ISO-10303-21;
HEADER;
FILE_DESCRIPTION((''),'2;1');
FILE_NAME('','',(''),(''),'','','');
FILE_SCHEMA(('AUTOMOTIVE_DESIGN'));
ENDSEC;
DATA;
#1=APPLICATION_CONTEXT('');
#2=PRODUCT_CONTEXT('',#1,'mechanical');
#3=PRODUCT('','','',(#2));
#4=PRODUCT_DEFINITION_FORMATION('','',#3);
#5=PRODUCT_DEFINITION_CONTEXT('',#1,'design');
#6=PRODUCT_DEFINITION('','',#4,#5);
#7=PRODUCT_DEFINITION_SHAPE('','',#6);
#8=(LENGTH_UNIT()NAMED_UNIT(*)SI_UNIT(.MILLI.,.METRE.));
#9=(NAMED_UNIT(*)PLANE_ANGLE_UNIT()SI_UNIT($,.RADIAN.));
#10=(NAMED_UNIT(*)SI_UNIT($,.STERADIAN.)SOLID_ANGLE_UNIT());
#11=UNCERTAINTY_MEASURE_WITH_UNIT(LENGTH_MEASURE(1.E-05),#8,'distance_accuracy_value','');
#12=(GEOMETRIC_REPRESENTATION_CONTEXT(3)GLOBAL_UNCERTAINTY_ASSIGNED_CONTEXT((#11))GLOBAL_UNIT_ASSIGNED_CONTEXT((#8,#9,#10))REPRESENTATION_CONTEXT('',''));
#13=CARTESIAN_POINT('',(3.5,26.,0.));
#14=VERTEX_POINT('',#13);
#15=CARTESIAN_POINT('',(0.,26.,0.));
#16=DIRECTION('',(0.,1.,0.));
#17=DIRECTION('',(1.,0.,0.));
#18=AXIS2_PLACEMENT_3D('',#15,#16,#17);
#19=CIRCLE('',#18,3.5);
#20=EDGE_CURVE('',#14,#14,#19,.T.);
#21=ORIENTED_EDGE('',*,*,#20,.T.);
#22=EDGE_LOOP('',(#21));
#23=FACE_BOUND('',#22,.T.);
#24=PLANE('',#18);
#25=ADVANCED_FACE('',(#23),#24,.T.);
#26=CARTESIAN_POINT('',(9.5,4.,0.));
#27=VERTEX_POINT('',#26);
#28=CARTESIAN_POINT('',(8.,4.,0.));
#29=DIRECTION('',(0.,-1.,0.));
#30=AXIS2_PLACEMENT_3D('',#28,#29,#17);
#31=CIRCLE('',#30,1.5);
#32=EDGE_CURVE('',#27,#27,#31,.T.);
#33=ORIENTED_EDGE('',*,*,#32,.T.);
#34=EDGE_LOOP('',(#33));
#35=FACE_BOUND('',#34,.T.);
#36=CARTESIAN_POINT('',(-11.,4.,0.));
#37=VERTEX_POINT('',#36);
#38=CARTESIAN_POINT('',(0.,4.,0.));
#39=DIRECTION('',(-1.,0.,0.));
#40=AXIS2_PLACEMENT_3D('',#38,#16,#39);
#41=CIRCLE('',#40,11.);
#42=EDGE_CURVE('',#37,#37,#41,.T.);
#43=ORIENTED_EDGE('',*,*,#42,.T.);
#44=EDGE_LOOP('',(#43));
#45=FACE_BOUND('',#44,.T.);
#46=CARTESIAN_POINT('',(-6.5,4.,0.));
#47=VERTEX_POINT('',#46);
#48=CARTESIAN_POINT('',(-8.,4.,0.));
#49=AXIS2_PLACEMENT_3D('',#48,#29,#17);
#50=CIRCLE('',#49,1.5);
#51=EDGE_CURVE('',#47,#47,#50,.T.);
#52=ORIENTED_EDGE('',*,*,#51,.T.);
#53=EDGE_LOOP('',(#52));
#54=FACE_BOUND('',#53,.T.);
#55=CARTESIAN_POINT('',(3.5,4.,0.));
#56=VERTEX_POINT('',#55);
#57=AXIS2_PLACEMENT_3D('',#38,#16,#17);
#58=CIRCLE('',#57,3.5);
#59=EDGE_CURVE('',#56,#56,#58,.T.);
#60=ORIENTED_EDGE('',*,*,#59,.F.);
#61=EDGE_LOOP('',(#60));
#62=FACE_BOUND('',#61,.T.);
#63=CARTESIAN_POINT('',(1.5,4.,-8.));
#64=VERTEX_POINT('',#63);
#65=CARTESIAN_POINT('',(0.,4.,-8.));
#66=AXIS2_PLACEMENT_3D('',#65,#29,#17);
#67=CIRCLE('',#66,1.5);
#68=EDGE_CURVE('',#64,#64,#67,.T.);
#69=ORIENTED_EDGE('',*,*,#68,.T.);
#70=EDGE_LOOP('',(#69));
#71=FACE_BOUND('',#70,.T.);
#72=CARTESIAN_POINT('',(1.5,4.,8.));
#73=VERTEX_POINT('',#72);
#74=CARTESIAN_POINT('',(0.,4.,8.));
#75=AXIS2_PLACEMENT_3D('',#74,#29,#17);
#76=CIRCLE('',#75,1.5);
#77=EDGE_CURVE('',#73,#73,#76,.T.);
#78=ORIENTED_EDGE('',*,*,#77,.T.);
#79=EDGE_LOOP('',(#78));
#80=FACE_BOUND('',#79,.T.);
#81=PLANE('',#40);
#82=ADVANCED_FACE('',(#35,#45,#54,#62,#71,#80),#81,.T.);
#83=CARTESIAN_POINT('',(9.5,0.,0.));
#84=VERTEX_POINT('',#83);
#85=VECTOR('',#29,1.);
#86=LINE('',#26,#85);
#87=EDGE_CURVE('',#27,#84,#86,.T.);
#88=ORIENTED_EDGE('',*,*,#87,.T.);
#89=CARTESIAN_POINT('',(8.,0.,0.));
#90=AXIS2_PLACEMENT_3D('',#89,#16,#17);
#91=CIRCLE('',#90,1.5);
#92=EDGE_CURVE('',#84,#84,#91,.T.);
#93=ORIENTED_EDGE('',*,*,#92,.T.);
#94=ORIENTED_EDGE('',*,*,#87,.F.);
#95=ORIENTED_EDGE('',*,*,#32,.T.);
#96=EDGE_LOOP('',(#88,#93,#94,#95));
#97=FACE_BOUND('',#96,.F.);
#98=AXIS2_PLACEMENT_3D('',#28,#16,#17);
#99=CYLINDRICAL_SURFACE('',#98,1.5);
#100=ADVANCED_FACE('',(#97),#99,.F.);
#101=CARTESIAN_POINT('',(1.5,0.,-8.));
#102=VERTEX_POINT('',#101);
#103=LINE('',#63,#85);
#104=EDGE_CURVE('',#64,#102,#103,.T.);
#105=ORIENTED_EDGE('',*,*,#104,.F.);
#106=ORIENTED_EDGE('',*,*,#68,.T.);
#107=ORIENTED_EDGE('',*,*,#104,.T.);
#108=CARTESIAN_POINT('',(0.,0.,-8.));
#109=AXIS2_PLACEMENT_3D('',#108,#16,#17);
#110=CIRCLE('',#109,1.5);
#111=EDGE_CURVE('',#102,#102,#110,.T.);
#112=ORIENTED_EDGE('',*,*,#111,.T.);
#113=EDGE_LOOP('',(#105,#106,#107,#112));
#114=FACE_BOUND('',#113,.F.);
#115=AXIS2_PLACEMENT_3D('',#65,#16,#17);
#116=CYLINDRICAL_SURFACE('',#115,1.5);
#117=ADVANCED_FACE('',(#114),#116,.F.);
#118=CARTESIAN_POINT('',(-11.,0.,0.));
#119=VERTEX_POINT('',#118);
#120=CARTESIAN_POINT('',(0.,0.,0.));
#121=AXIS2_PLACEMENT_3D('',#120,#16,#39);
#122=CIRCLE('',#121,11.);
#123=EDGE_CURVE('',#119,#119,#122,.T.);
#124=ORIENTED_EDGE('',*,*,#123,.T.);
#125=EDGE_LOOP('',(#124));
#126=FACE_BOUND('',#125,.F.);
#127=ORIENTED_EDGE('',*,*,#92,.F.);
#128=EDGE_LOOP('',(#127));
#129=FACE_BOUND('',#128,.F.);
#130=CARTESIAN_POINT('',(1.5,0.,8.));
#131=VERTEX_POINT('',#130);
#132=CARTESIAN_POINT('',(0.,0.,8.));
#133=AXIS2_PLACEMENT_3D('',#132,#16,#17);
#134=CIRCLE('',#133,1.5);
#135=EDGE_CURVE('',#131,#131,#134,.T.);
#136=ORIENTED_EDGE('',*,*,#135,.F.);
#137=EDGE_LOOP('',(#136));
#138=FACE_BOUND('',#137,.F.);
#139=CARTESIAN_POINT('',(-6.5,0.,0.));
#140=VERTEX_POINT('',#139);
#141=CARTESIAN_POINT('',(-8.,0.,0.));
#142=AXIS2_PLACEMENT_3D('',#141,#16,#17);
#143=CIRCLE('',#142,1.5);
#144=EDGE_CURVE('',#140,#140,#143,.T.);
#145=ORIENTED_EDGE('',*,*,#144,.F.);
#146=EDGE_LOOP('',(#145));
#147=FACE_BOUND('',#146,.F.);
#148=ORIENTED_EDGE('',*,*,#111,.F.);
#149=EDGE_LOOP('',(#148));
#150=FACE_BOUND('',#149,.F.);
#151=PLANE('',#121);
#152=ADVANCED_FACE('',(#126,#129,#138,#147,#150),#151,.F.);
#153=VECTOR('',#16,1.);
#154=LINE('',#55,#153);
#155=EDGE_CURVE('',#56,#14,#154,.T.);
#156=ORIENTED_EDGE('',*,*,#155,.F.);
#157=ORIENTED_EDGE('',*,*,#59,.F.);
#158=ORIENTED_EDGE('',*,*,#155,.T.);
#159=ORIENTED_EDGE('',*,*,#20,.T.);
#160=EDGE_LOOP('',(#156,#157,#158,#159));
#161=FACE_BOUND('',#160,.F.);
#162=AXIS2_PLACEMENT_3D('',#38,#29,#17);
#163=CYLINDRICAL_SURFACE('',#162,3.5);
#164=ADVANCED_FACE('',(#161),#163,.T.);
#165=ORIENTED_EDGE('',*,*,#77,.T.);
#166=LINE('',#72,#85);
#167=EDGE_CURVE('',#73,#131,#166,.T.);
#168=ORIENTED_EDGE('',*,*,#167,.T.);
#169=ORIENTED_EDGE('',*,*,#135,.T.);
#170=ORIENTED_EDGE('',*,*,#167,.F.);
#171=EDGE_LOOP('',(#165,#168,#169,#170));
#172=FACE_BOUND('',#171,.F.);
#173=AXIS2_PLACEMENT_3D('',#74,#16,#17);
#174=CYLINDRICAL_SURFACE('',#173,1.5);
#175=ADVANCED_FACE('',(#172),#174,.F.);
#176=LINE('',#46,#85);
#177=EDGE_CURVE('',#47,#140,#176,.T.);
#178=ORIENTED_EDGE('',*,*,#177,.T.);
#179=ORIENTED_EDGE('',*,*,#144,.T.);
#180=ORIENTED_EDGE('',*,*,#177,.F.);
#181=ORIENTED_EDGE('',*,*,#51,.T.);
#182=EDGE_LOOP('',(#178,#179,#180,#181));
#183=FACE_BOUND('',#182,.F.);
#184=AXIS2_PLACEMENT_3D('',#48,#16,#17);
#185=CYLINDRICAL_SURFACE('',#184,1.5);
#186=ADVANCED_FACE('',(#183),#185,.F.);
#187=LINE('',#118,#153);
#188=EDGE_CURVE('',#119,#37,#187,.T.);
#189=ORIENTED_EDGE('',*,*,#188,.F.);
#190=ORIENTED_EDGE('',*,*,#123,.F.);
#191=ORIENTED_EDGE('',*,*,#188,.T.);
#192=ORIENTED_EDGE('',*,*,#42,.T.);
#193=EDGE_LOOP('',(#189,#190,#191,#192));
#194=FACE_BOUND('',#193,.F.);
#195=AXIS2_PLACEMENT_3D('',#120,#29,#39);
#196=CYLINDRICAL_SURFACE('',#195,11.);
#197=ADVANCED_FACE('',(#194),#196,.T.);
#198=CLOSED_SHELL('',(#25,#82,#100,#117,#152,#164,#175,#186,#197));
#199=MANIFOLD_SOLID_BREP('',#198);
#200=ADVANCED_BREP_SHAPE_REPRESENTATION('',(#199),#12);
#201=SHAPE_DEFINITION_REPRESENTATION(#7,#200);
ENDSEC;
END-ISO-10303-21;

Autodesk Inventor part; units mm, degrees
ref_plane "YZ Plane" through (0, 0, 0) normal (1, 0, 0) x (0, 1, 0)
ref_plane "XZ Plane" through (0, 0, 0) normal (0, 1, 0) x (-1, 0, 0)
ref_plane "XY Plane" through (0, 0, 0) normal (0, 0, 1) x (1, 0, 0)
sketch "Boceto1" plane through (0, 0, 0) normal (0, 1, 0) x (-1, 0, 0)
  circle A0 centre (0, 0) radius 11
  dimension "d0" = 22
extrude "Extrusión1" add sketch "Boceto1" along normal blind 4
sketch "Boceto2" plane through (0, 4, 0) normal (0, 1, 0) x (1, 0, 0)
  circle A0 centre (0, 0) radius 8
  circle A1 centre (-8, 0) radius 1.5
  circle A2 centre (0, -8) radius 1.5
  circle A3 centre (8, 0) radius 1.5
  circle A4 centre (0, 8) radius 1.5
  dimension "d3" = 16
  dimension "d4" = 3
  dimension "d7" = 360
extrude "Extrusión2" cut sketch "Boceto2" against normal blind 4 contours A0 A3 | A0 A3 | A4 A0 | A0 A4 | A2 A0 | A0 A2 | A1 A0 | A0 A1
sketch "Boceto3" plane through (0, 4, 0) normal (0, 1, 0) x (1, 0, 0)
  circle A0 centre (0, 0) radius 3.5
  dimension "d11" = 7
extrude "Extrusión3" add sketch "Boceto3" along normal blind 22
properties part number "eje_base"
